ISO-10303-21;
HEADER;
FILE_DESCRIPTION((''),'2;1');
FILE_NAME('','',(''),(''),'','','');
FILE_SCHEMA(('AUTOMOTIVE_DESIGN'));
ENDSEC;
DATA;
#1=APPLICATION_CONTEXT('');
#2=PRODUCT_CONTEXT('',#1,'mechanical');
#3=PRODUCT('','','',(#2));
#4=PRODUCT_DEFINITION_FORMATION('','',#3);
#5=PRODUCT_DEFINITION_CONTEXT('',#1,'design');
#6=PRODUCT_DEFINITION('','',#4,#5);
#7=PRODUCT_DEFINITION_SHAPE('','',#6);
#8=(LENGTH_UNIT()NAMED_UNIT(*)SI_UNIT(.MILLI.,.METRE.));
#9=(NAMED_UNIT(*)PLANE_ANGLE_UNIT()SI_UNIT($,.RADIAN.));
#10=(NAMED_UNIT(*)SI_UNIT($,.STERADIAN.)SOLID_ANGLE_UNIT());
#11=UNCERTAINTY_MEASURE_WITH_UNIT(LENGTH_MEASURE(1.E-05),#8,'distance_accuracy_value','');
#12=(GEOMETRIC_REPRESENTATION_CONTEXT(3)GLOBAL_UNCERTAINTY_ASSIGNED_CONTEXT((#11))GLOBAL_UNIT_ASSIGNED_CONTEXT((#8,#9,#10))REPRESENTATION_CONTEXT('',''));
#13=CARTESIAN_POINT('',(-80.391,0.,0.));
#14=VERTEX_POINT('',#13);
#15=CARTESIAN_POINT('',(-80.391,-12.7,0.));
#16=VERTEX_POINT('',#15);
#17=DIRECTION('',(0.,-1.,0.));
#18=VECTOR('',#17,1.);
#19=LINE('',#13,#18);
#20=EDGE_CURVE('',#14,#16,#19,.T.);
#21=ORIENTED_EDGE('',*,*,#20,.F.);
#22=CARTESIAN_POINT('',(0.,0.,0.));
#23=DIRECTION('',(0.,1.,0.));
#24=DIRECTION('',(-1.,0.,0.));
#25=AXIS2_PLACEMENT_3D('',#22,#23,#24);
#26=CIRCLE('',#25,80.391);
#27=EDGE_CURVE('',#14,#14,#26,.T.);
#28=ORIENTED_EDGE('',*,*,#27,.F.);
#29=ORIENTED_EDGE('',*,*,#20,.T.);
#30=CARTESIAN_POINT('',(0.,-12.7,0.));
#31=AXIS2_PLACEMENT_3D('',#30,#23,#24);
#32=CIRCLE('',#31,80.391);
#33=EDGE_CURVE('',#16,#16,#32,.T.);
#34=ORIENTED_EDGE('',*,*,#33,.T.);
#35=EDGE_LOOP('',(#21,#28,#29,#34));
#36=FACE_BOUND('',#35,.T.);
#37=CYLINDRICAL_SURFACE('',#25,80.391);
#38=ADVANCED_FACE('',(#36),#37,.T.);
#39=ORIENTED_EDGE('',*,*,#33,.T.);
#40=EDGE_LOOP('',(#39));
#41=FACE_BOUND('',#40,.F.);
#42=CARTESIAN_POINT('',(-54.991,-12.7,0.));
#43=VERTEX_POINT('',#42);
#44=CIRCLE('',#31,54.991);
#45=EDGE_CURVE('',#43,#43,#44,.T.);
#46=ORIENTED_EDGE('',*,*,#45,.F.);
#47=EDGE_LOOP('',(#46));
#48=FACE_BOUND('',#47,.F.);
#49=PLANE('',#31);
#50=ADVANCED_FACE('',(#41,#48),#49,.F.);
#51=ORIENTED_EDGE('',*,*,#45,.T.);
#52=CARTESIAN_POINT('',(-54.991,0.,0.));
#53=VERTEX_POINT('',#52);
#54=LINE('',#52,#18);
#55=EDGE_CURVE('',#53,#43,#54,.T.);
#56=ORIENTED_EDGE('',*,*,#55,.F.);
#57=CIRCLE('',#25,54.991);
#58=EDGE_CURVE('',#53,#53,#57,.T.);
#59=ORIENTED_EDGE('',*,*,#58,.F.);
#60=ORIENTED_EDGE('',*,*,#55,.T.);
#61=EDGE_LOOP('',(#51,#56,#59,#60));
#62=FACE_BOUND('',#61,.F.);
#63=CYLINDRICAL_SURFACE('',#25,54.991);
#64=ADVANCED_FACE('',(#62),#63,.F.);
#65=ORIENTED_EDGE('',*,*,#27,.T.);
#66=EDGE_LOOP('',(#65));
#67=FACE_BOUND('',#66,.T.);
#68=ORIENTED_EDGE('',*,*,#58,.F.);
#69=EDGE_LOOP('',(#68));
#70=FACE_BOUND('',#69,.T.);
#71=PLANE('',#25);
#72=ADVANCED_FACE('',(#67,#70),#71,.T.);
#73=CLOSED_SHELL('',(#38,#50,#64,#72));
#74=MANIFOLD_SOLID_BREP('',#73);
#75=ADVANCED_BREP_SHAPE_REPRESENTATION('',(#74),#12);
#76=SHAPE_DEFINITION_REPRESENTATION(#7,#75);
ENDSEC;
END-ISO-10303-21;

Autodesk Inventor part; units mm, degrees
ref_plane "YZ Plane" through (0, 0, 0) normal (1, 0, 0) x (0, 1, 0)
ref_plane "XZ Plane" through (0, 0, 0) normal (0, 1, 0) x (-1, 0, 0)
ref_plane "XY Plane" through (0, 0, 0) normal (0, 0, 1) x (1, 0, 0)
sketch "Sketch1" plane through (0, 0, 0) normal (0, 1, 0) x (-1, 0, 0)
  point P0 (0, 0)
  point P1 (-56.7479, 47.6171)
  point P2 (-61.2154, 72.9537)
  point P3 (69.6116, 25.3365)
  point P4 (37.0396, 64.1544)
  point P5 (-74.0791, 0)
  point P6 (74.0791, 0)
sketch "Sketch2" plane through (0, 0, 0) normal (0, 1, 0) x (-1, 0, 0)
  circle A0 centre (0, 0) radius 54.991
  circle A1 centre (0, 0) radius 80.391
  dimension "d2" = 109.982
  dimension "d3" = 160.782
extrude "Extrusion1" add sketch "Sketch2" against normal blind 12.7
